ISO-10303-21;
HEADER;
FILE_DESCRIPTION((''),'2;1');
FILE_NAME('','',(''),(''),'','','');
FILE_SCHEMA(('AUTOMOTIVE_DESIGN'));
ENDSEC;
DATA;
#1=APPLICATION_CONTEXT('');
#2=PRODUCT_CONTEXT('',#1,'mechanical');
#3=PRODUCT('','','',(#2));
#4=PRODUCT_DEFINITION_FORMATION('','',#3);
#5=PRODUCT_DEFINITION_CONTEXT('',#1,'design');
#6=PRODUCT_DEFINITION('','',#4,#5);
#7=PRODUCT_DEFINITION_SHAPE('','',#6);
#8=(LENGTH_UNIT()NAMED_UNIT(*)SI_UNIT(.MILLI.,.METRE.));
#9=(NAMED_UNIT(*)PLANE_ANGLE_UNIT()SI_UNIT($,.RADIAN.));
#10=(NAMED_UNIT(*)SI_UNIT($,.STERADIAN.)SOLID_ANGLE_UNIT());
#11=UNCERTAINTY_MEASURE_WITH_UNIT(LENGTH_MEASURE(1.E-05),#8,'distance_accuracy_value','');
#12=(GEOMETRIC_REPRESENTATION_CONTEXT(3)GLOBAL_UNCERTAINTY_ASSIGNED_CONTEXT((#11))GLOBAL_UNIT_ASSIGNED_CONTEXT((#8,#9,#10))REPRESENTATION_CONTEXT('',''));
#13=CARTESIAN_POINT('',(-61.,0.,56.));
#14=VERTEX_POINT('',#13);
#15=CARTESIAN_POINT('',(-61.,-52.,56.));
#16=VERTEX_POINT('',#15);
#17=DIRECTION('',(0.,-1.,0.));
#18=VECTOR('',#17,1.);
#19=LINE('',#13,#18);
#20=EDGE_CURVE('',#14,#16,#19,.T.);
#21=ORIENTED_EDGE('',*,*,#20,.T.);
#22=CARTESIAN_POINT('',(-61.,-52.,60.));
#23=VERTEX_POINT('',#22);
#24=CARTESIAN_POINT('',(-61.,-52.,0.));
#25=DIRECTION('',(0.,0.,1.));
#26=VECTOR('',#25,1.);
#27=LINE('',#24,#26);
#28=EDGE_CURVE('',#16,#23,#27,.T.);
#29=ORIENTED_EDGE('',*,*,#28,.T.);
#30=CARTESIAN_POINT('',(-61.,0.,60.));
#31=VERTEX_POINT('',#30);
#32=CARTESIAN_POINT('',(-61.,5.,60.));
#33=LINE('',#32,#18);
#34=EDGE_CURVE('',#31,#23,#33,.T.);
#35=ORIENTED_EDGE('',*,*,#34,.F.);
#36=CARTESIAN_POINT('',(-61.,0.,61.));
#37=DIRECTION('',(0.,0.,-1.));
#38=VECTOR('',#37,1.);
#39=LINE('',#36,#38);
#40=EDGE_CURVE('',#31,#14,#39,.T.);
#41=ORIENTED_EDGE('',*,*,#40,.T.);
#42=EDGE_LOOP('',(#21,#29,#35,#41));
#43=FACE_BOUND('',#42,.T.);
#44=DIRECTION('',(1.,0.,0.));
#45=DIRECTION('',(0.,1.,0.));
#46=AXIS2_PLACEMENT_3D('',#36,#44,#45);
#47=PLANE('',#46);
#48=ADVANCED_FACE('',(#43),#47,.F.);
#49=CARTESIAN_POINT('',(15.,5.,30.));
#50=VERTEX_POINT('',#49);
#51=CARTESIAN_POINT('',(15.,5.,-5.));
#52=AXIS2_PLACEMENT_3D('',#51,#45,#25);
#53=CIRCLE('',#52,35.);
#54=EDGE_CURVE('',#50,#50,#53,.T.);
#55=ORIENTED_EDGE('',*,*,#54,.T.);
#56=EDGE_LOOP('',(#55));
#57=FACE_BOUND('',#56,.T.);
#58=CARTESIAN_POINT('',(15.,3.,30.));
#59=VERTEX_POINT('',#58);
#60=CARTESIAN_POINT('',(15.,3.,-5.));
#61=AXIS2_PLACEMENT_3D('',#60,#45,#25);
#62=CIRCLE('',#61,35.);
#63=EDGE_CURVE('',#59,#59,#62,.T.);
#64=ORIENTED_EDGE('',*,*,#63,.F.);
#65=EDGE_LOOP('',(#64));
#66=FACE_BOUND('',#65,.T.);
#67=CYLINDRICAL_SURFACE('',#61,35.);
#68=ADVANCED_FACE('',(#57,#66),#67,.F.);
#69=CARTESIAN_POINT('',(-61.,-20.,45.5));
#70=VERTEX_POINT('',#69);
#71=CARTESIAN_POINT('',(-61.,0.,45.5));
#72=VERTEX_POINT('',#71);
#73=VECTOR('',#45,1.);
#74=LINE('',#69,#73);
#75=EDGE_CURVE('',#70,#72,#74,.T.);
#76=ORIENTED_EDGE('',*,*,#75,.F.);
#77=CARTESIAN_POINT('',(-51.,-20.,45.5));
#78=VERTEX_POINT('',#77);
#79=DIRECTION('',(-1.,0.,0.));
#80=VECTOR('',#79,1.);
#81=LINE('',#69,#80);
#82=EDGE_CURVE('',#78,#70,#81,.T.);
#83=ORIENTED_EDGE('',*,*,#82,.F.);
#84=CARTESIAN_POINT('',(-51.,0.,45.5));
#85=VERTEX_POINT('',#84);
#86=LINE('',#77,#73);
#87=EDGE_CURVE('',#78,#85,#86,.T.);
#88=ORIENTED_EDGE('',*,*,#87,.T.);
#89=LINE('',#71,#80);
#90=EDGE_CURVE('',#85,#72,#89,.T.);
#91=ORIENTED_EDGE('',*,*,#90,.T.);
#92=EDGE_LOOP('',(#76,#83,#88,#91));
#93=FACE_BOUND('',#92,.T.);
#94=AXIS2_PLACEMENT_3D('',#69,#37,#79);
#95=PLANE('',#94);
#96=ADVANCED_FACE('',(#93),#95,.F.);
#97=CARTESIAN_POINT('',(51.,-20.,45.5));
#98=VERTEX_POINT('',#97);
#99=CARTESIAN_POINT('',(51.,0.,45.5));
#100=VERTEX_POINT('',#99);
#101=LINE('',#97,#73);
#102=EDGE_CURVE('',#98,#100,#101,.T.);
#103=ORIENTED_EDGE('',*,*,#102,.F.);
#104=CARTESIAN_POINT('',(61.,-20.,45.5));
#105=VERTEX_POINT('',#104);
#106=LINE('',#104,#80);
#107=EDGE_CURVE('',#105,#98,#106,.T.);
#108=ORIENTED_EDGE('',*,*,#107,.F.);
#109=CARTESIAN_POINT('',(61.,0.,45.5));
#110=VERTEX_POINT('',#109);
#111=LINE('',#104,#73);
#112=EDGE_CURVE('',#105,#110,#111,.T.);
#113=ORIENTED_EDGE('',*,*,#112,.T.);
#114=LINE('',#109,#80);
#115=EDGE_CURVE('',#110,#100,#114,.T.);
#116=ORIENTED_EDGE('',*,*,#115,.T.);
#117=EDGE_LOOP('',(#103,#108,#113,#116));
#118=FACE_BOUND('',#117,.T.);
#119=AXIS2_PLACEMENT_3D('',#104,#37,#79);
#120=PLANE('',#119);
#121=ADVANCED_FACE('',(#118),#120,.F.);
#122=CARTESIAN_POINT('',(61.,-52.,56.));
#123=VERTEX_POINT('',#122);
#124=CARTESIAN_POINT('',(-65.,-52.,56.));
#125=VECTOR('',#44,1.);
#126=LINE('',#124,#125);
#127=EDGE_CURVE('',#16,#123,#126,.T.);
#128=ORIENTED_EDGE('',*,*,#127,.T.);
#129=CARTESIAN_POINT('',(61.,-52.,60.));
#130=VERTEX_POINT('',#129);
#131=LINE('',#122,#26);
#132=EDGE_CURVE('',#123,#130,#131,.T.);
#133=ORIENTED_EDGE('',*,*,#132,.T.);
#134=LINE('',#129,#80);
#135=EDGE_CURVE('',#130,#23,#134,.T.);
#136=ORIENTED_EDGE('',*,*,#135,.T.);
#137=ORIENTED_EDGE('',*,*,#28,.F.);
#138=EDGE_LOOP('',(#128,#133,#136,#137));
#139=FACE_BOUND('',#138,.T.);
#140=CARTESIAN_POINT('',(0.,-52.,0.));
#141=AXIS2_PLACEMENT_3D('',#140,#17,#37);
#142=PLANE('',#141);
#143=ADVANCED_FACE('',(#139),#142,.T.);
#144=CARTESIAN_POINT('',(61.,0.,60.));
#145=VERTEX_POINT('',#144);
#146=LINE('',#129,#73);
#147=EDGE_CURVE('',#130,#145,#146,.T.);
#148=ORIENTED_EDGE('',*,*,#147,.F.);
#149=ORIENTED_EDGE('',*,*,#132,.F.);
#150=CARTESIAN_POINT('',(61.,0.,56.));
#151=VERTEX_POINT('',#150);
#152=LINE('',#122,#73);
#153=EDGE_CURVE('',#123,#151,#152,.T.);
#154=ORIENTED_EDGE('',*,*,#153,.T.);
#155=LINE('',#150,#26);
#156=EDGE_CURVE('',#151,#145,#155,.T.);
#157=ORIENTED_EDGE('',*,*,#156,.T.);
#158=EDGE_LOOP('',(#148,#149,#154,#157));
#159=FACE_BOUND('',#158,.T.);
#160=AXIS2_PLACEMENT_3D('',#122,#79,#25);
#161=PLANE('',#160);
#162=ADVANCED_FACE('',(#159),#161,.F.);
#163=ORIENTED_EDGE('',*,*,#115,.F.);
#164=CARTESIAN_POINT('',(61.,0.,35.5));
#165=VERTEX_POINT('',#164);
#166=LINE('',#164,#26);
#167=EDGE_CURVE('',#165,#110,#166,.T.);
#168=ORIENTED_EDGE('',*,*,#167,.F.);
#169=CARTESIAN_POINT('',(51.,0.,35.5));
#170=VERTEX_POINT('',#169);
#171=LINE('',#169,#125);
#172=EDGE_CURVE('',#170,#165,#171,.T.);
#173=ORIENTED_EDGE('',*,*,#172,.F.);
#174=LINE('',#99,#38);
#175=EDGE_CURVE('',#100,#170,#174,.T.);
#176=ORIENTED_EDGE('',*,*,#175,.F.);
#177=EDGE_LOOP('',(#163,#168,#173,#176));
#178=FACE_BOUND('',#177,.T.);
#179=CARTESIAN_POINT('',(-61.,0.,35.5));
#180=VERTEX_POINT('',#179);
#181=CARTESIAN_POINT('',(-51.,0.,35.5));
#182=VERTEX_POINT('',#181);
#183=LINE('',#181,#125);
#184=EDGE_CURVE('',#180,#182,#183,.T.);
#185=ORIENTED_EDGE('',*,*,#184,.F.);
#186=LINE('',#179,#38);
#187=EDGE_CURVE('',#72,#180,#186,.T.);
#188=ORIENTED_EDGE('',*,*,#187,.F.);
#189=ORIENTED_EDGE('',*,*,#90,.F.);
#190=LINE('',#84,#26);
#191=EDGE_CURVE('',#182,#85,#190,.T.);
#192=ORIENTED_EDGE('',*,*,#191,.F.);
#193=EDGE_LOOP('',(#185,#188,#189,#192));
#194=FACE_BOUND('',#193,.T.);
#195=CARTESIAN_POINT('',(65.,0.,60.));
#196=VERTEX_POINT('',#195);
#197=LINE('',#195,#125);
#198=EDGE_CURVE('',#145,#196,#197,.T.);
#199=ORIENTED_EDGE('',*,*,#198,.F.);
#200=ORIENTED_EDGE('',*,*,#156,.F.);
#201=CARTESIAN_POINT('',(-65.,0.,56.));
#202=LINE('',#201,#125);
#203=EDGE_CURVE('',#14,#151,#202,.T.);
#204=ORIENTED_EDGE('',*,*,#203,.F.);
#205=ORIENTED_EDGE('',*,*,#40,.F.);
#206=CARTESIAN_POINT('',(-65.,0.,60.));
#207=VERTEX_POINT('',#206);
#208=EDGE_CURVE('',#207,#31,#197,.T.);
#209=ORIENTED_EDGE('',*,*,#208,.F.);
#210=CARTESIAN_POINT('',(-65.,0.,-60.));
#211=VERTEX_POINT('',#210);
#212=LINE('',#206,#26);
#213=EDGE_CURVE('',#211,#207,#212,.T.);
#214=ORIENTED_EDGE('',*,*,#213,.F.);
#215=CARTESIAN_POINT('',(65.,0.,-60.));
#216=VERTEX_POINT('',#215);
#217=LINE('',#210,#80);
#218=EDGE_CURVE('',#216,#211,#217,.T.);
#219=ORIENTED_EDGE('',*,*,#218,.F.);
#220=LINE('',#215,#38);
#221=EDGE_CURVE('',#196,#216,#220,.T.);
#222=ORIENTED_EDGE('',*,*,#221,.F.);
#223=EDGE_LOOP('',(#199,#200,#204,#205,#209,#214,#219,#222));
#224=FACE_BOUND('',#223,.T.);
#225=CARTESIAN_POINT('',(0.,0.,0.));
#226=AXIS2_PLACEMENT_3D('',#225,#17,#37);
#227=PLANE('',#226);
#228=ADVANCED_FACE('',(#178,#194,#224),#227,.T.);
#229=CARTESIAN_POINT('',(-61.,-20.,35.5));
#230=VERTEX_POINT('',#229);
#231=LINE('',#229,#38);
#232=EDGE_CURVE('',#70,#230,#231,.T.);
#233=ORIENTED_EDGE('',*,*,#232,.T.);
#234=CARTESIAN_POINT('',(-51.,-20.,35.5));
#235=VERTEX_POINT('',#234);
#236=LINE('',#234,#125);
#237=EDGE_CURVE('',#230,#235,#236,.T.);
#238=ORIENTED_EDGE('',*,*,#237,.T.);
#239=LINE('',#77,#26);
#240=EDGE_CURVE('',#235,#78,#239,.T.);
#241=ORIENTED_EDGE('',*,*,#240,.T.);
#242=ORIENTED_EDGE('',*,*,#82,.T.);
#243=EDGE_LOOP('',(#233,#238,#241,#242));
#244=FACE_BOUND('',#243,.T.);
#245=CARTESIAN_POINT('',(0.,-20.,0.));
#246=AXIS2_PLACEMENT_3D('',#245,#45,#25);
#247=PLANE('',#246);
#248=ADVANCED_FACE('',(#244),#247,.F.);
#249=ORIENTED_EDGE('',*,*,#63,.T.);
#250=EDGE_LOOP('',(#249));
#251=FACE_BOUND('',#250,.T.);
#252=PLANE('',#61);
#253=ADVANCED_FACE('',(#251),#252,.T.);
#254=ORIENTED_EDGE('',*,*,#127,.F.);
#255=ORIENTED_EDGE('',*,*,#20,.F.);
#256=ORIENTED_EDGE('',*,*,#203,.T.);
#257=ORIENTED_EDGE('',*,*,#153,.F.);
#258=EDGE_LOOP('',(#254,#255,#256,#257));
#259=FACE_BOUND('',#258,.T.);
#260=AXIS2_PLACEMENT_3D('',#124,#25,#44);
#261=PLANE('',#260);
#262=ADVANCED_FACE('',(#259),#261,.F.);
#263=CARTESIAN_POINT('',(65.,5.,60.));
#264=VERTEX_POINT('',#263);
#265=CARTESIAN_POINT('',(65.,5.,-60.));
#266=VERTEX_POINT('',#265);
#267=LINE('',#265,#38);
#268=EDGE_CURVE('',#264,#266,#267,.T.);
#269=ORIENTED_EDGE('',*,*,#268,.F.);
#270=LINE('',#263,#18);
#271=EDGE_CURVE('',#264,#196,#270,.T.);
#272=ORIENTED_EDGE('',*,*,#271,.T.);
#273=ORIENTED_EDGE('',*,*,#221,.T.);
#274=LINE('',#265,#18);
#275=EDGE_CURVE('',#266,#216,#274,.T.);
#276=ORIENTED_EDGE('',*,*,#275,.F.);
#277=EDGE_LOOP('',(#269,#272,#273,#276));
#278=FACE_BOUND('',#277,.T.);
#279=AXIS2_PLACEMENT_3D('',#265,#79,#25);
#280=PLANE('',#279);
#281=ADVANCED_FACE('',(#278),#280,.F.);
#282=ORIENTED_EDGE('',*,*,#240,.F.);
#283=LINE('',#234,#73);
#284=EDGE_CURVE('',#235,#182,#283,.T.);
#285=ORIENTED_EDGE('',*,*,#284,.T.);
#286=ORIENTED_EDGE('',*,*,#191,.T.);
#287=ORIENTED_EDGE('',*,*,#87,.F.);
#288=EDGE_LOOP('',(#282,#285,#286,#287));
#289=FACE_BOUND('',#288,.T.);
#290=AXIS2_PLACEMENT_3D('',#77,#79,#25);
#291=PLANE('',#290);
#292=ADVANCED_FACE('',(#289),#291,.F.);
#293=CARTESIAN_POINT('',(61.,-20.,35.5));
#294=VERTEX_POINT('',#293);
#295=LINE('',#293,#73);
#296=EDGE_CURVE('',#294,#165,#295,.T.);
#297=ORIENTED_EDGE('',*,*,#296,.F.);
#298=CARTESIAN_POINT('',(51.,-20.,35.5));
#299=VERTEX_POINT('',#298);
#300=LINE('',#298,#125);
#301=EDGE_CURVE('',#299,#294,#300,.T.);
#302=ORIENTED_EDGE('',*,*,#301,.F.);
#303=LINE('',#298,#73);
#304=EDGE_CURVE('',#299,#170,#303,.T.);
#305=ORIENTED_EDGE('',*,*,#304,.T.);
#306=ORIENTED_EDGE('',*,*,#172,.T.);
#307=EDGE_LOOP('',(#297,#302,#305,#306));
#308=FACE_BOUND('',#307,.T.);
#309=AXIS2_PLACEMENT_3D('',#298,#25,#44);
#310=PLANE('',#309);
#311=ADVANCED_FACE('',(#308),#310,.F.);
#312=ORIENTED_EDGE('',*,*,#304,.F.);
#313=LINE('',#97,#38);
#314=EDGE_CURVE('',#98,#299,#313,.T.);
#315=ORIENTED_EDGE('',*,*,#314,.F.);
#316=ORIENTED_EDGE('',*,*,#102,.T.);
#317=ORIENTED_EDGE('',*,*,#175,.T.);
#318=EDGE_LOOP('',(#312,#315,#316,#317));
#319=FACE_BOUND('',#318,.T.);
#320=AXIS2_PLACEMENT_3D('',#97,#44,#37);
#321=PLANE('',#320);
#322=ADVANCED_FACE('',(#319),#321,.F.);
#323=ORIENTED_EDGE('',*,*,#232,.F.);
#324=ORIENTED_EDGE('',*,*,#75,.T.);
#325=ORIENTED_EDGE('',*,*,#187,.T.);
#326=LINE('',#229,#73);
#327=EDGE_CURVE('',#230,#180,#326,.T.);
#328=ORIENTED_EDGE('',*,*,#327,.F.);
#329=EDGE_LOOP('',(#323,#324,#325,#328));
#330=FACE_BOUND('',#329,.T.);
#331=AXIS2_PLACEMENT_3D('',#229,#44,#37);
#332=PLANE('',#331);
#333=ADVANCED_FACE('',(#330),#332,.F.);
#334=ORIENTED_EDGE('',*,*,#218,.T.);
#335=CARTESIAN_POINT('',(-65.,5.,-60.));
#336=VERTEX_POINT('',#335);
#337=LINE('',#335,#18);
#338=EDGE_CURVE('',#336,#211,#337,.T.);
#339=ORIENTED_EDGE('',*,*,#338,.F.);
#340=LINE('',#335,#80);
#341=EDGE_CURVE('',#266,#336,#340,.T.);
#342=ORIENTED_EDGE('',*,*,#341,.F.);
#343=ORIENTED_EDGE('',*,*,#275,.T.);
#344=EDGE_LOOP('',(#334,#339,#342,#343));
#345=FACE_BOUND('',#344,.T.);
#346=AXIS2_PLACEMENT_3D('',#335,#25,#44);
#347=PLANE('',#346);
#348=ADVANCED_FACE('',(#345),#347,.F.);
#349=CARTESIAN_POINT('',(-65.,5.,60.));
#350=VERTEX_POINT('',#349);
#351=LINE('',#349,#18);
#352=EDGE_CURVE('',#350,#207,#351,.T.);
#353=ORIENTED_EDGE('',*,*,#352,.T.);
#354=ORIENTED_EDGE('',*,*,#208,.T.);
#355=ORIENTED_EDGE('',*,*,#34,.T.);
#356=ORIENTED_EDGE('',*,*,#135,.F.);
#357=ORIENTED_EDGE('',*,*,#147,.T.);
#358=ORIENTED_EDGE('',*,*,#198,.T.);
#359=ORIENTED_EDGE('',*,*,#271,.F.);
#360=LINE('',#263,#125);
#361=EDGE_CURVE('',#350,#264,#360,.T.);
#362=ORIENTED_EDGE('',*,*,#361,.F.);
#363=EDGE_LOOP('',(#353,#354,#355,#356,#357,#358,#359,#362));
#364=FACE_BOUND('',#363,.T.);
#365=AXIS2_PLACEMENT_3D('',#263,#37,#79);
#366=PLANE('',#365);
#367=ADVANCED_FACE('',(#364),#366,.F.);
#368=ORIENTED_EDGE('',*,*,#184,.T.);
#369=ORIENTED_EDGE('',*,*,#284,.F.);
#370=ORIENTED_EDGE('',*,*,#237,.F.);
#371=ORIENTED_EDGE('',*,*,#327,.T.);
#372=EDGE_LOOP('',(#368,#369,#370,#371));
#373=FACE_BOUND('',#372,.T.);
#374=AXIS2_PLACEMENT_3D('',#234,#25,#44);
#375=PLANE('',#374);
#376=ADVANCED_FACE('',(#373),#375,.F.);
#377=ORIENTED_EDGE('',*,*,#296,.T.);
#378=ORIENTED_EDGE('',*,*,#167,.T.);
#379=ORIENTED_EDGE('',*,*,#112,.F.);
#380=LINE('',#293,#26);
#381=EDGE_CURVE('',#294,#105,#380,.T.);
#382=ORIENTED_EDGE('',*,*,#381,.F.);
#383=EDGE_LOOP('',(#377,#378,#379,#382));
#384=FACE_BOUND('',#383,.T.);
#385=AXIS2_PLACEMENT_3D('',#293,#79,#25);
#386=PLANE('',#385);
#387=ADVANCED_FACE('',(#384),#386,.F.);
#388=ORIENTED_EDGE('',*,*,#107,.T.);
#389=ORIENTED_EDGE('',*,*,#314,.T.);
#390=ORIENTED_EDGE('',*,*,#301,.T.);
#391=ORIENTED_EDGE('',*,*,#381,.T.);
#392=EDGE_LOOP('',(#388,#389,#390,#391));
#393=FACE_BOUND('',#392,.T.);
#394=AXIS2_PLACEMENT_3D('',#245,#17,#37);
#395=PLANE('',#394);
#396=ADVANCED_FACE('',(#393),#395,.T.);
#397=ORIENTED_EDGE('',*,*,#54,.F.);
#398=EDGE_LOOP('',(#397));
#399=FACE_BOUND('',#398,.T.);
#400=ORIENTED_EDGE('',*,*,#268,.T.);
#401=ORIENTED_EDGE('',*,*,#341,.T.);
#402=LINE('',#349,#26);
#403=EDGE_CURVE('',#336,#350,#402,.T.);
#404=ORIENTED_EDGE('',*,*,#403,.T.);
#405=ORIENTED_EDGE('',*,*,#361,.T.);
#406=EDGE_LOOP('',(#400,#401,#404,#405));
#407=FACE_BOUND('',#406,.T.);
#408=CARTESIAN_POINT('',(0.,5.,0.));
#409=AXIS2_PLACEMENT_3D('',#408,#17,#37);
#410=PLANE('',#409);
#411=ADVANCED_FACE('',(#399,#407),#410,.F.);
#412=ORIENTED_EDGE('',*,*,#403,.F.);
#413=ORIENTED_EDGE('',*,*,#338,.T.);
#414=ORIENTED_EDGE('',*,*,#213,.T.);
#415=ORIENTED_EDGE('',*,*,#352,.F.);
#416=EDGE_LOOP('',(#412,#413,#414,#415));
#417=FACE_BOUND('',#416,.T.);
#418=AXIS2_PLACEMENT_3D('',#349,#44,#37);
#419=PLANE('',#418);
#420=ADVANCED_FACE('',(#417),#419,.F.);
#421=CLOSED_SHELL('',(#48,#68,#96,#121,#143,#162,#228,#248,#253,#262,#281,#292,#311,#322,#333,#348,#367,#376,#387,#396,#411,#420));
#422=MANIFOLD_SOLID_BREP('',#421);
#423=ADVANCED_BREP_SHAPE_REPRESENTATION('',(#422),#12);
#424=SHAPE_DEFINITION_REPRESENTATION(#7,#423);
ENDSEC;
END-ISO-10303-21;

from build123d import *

# Parameters (mm, degrees)
SKETCH2_W           = 130
SKETCH2_H           = 120
BOSS_EXTRUDE1_DEPTH = 5
SKETCH3_W           = 126
SKETCH3_H           = 4
BOSS_EXTRUDE2_DEPTH = 52
SKETCH5_R           = 35
CUT_EXTRUDE1_DEPTH  = 2
SKETCH7_W           = 10
SKETCH7_H           = 10
BOSS_EXTRUDE3_DEPTH = 20
SKETCH9_W           = 4
SKETCH9_H           = 52
CUT_EXTRUDE2_DEPTH  = 5


with BuildPart() as part:
    # Sketch2 → Boss-Extrude1 (new body)
    with BuildSketch(Plane(origin=(0, 0, 0), x_dir=(1, 0, 0), z_dir=(0, 1, 0))):
        Rectangle(SKETCH2_W, SKETCH2_H)
    extrude(amount=BOSS_EXTRUDE1_DEPTH)

    # Sketch3 → Boss-Extrude2 (add)
    with BuildSketch(Plane.XZ):
        with Locations((-2, 58)):
            Rectangle(SKETCH3_W, SKETCH3_H)
    extrude(amount=BOSS_EXTRUDE2_DEPTH)

    # Sketch5 → Cut-Extrude1 (cut)
    with BuildSketch(Plane(origin=(0, 5, 0), x_dir=(1, 0, 0), z_dir=(0, 1, 0))):
        with Locations(Location((15, 5, 0), (0, 0, 270))):
            Circle(SKETCH5_R)
    extrude(amount=-CUT_EXTRUDE1_DEPTH, mode=Mode.SUBTRACT)

    # Sketch7 → Boss-Extrude3 (add)
    with BuildSketch(Plane.XZ):
        with Locations((-56, 40.5)):
            Rectangle(SKETCH7_W, SKETCH7_H)
        with Locations((56, 40.5)):
            Rectangle(SKETCH7_W, SKETCH7_H)
    extrude(amount=BOSS_EXTRUDE3_DEPTH)

    # Sketch9 → Cut-Extrude2 (cut)
    with BuildSketch(Plane(origin=(0, 0, 56), x_dir=(-1, 0, 0), z_dir=(0, 0, -1))):
        with Locations((63, -26)):
            Rectangle(SKETCH9_W, SKETCH9_H)
    extrude(amount=-CUT_EXTRUDE2_DEPTH, mode=Mode.SUBTRACT)


solid = part.part
